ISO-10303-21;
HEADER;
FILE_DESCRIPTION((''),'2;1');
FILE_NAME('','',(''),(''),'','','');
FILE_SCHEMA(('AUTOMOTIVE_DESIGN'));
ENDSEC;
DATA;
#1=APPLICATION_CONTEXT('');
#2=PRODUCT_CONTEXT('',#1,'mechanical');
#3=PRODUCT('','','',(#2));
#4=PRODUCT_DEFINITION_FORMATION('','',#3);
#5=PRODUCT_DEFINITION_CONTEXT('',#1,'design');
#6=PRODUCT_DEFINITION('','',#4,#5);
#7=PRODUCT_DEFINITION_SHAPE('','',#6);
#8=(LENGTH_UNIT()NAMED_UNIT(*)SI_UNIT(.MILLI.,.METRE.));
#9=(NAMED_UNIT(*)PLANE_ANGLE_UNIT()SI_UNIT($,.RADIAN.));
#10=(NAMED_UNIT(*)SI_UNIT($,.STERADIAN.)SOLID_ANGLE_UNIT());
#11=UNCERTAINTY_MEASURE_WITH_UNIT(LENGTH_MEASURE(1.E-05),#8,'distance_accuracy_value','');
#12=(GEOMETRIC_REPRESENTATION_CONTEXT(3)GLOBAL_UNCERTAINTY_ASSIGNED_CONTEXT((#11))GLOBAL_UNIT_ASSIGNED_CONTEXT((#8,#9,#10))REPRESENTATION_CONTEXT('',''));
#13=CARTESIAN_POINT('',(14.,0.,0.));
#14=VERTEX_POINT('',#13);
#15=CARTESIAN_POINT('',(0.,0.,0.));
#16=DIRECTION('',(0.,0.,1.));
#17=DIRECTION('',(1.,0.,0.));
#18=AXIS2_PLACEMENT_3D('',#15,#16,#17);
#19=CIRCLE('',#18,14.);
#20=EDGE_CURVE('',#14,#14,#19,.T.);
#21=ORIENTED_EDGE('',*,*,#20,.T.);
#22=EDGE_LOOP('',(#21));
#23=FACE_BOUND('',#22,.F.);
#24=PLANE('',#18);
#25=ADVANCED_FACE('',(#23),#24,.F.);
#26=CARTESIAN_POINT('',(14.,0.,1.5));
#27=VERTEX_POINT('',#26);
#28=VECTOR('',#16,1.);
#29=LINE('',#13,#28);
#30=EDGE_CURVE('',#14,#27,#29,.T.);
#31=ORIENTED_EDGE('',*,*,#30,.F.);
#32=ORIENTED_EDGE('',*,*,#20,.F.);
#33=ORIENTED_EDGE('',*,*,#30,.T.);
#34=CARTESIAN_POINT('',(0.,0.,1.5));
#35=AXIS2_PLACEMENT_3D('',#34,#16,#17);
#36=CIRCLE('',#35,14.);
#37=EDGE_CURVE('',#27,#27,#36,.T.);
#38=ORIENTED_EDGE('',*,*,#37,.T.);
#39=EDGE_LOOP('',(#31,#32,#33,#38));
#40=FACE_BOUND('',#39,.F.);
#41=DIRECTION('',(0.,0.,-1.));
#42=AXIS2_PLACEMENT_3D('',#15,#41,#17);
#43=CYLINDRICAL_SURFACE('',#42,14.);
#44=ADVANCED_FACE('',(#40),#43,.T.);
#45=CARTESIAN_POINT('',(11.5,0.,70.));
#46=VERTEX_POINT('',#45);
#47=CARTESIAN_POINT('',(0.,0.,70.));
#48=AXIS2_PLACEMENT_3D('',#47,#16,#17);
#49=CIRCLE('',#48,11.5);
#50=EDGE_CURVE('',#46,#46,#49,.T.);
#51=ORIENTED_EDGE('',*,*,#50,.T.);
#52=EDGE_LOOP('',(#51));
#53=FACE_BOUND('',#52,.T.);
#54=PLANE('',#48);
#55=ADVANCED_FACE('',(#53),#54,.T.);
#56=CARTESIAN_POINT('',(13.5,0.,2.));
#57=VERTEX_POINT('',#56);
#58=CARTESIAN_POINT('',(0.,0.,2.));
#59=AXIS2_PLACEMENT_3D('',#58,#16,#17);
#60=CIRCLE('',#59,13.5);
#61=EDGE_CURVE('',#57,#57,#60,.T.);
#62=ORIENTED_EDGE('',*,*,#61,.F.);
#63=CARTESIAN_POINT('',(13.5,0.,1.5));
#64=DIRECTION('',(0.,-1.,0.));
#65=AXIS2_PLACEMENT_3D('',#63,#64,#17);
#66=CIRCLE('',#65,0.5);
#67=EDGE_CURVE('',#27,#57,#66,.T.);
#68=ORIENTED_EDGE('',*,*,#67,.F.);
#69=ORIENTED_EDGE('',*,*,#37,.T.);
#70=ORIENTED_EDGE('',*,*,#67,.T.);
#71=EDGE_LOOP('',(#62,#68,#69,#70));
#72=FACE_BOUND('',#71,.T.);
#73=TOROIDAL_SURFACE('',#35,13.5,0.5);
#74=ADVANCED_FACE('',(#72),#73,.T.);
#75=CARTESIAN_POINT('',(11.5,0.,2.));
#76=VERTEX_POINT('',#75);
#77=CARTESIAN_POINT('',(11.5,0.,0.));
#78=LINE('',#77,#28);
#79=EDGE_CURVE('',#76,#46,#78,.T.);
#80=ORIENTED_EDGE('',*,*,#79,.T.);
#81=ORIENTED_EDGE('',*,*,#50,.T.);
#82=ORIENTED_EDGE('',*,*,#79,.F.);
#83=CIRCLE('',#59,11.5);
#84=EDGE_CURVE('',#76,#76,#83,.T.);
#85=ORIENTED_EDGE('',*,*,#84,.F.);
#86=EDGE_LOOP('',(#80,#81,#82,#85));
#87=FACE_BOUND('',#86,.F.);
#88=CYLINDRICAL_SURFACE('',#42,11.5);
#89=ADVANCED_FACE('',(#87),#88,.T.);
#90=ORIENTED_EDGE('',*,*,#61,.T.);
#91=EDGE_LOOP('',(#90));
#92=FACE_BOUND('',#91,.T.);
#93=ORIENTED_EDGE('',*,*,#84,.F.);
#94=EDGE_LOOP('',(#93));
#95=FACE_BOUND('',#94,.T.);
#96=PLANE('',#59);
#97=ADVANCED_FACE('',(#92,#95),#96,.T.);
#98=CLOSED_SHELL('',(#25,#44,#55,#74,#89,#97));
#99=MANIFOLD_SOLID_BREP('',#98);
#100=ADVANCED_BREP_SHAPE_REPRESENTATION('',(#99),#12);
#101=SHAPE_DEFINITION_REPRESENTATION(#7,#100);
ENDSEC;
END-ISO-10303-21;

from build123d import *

# Parameters (mm, degrees)
F0_R     = 11.5
F1_DEPTH = 70
F0_R_2   = 14
F2_DEPTH = 2
F3_R     = 0.5


with BuildPart() as f1:
    # F0 (on Top) → F1 (new body)
    with BuildSketch(Plane.XY):
        Circle(F0_R)
    extrude(amount=F1_DEPTH)

    # F0 (on Top) → F2 (join)
    with BuildSketch(Plane.XY):
        Circle(F0_R_2)
        Circle(F0_R, mode=Mode.SUBTRACT)
    extrude(amount=F2_DEPTH)

    # F3
    f3_edges = [f1.edges().sort_by_distance(p)[0] for p in [
        (-14, 0, 2),
    ]]
    fillet(f3_edges, radius=F3_R)


solid = f1.part
